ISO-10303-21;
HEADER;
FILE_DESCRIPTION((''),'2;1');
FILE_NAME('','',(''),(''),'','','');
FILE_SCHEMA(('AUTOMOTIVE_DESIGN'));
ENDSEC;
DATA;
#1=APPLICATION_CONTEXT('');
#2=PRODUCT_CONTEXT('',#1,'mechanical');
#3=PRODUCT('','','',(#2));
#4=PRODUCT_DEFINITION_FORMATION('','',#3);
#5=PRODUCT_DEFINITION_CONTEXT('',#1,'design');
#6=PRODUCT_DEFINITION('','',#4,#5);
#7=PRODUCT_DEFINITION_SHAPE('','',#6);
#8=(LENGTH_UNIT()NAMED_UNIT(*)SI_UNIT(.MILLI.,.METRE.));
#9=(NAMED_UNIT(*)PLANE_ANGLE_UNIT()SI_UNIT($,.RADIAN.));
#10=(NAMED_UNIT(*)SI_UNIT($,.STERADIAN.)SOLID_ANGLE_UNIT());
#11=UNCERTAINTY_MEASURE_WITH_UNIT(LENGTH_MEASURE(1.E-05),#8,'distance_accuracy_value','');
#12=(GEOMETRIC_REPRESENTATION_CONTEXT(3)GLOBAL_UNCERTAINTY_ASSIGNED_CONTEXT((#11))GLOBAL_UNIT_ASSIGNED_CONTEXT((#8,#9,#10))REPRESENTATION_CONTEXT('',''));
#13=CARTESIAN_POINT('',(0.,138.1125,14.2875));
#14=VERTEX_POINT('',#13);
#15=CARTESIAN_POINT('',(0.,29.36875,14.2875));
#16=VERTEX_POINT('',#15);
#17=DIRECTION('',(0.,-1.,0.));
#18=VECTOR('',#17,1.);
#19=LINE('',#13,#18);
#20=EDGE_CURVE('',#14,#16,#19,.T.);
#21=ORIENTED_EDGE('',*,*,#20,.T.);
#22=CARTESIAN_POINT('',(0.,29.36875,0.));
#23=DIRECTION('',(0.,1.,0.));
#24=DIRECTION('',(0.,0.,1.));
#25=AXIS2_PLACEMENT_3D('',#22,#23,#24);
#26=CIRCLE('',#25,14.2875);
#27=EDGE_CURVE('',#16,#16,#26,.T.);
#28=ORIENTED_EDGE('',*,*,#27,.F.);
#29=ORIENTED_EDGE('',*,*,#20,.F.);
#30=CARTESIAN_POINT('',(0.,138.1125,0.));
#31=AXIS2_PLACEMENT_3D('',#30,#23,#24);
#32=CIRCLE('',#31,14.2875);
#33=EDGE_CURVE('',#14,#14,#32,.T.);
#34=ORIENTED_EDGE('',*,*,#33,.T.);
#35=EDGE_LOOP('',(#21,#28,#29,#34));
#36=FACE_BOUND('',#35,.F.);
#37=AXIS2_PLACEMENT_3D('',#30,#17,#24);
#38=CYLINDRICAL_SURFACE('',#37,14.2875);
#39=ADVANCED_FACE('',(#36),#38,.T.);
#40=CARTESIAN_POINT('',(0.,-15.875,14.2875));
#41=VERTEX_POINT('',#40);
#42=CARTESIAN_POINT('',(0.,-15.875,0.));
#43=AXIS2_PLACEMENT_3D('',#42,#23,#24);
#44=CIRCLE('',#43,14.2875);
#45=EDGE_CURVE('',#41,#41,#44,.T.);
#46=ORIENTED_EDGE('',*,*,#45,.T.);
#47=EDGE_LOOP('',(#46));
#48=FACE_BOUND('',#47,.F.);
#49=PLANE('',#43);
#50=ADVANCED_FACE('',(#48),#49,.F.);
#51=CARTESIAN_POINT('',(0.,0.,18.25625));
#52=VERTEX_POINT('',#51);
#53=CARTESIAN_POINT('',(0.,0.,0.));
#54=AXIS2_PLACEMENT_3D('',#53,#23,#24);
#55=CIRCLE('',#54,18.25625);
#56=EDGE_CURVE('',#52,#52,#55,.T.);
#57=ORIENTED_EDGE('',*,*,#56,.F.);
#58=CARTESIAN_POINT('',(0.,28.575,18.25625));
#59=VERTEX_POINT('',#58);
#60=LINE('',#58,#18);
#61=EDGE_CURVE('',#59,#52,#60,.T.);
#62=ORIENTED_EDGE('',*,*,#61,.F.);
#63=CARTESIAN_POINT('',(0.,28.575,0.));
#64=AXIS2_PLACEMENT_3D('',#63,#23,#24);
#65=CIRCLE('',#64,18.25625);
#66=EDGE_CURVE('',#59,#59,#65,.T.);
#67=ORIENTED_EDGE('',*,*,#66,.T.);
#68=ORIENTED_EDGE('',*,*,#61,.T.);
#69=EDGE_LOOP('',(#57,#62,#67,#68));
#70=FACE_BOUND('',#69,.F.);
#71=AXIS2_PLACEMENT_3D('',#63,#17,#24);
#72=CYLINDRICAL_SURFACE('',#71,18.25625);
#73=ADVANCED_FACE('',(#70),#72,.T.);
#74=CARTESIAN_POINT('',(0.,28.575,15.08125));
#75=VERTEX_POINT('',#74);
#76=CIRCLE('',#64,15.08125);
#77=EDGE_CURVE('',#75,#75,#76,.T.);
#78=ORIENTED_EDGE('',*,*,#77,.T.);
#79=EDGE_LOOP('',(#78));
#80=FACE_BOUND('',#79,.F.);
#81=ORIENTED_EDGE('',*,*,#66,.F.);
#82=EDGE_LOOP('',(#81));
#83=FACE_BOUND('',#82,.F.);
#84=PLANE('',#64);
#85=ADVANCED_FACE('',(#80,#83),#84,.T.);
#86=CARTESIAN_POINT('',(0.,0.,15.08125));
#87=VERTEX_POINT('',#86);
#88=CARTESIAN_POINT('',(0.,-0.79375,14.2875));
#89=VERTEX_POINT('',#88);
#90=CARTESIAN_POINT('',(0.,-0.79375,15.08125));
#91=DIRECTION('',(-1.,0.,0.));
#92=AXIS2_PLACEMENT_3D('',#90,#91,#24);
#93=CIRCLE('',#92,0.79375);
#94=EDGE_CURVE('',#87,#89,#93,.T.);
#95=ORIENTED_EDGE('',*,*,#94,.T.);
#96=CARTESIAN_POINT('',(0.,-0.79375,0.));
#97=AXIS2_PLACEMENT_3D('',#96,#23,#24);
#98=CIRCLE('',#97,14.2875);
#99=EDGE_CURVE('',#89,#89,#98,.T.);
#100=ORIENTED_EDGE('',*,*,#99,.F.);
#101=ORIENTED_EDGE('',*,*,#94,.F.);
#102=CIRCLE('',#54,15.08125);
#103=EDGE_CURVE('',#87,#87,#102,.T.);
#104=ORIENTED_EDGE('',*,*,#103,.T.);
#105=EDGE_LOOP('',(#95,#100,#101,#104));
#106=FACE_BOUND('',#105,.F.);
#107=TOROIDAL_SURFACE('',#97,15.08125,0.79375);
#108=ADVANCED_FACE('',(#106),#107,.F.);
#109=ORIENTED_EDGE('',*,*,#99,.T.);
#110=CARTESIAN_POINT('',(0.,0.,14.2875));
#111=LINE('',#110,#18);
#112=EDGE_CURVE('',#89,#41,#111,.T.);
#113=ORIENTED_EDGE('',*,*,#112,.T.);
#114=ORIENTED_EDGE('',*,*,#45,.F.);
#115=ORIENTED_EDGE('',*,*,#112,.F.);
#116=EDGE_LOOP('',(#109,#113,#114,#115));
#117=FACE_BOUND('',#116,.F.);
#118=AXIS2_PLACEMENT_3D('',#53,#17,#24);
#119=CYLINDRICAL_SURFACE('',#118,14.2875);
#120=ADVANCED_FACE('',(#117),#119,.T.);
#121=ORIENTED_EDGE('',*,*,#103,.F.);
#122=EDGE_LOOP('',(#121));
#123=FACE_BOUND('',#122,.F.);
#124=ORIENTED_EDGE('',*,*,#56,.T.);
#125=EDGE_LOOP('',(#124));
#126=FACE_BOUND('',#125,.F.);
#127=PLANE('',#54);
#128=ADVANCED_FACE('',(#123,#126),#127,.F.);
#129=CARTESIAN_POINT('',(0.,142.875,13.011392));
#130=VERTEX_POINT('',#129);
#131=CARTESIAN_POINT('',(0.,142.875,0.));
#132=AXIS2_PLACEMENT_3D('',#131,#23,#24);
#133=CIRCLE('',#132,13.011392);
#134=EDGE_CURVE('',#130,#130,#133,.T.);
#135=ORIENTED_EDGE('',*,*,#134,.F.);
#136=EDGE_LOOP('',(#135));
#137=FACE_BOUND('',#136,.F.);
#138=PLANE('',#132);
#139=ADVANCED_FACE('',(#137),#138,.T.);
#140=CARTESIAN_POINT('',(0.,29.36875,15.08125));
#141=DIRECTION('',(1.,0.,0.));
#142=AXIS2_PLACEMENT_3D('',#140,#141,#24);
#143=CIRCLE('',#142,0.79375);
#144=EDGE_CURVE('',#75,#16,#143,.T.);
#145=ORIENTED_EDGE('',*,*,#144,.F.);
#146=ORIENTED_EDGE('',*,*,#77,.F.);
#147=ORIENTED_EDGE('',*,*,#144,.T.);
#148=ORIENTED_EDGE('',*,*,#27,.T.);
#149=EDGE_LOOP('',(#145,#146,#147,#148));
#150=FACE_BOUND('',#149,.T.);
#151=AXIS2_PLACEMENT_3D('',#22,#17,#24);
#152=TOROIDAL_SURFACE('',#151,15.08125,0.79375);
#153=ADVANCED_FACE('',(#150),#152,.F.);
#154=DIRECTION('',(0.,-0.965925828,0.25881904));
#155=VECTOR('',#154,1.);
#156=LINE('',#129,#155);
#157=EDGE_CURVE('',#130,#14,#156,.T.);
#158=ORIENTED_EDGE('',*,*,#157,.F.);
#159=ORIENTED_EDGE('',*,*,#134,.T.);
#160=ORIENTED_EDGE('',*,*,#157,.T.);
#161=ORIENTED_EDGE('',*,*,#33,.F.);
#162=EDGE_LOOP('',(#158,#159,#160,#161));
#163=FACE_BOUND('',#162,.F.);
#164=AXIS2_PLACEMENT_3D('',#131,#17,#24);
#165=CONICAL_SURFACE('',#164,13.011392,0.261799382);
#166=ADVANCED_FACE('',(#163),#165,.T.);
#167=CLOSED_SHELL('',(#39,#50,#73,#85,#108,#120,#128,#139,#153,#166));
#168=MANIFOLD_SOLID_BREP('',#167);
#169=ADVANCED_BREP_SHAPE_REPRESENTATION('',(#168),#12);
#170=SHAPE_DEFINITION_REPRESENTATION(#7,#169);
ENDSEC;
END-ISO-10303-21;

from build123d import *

# Parameters (mm, degrees)
F2_R = 0.79375
F3_R = 0.79375


with BuildPart() as f1:
    # F0 (on Right) → F1 (revolve)
    with BuildSketch(Plane.YZ):
        Polygon((-15.875, 14.2875), (-15.875, 0), (142.875, 0), (142.875, 13.011392), (138.1125, 14.2875), (28.575, 14.2875), (28.575, 18.25625), (0, 18.25625), (0, 14.2875), align=None)
    revolve(axis=Axis((0, 63.5, 0), (0, 1, 0)))

    # F2
    f2_edges = [f1.edges().sort_by_distance(p)[0] for p in [
        (0, 0, -14.2875),
    ]]
    fillet(f2_edges, radius=F2_R)

    # F3
    f3_edges = [f1.edges().sort_by_distance(p)[0] for p in [
        (0, 28.575, -14.2875),
    ]]
    fillet(f3_edges, radius=F3_R)


solid = f1.part
